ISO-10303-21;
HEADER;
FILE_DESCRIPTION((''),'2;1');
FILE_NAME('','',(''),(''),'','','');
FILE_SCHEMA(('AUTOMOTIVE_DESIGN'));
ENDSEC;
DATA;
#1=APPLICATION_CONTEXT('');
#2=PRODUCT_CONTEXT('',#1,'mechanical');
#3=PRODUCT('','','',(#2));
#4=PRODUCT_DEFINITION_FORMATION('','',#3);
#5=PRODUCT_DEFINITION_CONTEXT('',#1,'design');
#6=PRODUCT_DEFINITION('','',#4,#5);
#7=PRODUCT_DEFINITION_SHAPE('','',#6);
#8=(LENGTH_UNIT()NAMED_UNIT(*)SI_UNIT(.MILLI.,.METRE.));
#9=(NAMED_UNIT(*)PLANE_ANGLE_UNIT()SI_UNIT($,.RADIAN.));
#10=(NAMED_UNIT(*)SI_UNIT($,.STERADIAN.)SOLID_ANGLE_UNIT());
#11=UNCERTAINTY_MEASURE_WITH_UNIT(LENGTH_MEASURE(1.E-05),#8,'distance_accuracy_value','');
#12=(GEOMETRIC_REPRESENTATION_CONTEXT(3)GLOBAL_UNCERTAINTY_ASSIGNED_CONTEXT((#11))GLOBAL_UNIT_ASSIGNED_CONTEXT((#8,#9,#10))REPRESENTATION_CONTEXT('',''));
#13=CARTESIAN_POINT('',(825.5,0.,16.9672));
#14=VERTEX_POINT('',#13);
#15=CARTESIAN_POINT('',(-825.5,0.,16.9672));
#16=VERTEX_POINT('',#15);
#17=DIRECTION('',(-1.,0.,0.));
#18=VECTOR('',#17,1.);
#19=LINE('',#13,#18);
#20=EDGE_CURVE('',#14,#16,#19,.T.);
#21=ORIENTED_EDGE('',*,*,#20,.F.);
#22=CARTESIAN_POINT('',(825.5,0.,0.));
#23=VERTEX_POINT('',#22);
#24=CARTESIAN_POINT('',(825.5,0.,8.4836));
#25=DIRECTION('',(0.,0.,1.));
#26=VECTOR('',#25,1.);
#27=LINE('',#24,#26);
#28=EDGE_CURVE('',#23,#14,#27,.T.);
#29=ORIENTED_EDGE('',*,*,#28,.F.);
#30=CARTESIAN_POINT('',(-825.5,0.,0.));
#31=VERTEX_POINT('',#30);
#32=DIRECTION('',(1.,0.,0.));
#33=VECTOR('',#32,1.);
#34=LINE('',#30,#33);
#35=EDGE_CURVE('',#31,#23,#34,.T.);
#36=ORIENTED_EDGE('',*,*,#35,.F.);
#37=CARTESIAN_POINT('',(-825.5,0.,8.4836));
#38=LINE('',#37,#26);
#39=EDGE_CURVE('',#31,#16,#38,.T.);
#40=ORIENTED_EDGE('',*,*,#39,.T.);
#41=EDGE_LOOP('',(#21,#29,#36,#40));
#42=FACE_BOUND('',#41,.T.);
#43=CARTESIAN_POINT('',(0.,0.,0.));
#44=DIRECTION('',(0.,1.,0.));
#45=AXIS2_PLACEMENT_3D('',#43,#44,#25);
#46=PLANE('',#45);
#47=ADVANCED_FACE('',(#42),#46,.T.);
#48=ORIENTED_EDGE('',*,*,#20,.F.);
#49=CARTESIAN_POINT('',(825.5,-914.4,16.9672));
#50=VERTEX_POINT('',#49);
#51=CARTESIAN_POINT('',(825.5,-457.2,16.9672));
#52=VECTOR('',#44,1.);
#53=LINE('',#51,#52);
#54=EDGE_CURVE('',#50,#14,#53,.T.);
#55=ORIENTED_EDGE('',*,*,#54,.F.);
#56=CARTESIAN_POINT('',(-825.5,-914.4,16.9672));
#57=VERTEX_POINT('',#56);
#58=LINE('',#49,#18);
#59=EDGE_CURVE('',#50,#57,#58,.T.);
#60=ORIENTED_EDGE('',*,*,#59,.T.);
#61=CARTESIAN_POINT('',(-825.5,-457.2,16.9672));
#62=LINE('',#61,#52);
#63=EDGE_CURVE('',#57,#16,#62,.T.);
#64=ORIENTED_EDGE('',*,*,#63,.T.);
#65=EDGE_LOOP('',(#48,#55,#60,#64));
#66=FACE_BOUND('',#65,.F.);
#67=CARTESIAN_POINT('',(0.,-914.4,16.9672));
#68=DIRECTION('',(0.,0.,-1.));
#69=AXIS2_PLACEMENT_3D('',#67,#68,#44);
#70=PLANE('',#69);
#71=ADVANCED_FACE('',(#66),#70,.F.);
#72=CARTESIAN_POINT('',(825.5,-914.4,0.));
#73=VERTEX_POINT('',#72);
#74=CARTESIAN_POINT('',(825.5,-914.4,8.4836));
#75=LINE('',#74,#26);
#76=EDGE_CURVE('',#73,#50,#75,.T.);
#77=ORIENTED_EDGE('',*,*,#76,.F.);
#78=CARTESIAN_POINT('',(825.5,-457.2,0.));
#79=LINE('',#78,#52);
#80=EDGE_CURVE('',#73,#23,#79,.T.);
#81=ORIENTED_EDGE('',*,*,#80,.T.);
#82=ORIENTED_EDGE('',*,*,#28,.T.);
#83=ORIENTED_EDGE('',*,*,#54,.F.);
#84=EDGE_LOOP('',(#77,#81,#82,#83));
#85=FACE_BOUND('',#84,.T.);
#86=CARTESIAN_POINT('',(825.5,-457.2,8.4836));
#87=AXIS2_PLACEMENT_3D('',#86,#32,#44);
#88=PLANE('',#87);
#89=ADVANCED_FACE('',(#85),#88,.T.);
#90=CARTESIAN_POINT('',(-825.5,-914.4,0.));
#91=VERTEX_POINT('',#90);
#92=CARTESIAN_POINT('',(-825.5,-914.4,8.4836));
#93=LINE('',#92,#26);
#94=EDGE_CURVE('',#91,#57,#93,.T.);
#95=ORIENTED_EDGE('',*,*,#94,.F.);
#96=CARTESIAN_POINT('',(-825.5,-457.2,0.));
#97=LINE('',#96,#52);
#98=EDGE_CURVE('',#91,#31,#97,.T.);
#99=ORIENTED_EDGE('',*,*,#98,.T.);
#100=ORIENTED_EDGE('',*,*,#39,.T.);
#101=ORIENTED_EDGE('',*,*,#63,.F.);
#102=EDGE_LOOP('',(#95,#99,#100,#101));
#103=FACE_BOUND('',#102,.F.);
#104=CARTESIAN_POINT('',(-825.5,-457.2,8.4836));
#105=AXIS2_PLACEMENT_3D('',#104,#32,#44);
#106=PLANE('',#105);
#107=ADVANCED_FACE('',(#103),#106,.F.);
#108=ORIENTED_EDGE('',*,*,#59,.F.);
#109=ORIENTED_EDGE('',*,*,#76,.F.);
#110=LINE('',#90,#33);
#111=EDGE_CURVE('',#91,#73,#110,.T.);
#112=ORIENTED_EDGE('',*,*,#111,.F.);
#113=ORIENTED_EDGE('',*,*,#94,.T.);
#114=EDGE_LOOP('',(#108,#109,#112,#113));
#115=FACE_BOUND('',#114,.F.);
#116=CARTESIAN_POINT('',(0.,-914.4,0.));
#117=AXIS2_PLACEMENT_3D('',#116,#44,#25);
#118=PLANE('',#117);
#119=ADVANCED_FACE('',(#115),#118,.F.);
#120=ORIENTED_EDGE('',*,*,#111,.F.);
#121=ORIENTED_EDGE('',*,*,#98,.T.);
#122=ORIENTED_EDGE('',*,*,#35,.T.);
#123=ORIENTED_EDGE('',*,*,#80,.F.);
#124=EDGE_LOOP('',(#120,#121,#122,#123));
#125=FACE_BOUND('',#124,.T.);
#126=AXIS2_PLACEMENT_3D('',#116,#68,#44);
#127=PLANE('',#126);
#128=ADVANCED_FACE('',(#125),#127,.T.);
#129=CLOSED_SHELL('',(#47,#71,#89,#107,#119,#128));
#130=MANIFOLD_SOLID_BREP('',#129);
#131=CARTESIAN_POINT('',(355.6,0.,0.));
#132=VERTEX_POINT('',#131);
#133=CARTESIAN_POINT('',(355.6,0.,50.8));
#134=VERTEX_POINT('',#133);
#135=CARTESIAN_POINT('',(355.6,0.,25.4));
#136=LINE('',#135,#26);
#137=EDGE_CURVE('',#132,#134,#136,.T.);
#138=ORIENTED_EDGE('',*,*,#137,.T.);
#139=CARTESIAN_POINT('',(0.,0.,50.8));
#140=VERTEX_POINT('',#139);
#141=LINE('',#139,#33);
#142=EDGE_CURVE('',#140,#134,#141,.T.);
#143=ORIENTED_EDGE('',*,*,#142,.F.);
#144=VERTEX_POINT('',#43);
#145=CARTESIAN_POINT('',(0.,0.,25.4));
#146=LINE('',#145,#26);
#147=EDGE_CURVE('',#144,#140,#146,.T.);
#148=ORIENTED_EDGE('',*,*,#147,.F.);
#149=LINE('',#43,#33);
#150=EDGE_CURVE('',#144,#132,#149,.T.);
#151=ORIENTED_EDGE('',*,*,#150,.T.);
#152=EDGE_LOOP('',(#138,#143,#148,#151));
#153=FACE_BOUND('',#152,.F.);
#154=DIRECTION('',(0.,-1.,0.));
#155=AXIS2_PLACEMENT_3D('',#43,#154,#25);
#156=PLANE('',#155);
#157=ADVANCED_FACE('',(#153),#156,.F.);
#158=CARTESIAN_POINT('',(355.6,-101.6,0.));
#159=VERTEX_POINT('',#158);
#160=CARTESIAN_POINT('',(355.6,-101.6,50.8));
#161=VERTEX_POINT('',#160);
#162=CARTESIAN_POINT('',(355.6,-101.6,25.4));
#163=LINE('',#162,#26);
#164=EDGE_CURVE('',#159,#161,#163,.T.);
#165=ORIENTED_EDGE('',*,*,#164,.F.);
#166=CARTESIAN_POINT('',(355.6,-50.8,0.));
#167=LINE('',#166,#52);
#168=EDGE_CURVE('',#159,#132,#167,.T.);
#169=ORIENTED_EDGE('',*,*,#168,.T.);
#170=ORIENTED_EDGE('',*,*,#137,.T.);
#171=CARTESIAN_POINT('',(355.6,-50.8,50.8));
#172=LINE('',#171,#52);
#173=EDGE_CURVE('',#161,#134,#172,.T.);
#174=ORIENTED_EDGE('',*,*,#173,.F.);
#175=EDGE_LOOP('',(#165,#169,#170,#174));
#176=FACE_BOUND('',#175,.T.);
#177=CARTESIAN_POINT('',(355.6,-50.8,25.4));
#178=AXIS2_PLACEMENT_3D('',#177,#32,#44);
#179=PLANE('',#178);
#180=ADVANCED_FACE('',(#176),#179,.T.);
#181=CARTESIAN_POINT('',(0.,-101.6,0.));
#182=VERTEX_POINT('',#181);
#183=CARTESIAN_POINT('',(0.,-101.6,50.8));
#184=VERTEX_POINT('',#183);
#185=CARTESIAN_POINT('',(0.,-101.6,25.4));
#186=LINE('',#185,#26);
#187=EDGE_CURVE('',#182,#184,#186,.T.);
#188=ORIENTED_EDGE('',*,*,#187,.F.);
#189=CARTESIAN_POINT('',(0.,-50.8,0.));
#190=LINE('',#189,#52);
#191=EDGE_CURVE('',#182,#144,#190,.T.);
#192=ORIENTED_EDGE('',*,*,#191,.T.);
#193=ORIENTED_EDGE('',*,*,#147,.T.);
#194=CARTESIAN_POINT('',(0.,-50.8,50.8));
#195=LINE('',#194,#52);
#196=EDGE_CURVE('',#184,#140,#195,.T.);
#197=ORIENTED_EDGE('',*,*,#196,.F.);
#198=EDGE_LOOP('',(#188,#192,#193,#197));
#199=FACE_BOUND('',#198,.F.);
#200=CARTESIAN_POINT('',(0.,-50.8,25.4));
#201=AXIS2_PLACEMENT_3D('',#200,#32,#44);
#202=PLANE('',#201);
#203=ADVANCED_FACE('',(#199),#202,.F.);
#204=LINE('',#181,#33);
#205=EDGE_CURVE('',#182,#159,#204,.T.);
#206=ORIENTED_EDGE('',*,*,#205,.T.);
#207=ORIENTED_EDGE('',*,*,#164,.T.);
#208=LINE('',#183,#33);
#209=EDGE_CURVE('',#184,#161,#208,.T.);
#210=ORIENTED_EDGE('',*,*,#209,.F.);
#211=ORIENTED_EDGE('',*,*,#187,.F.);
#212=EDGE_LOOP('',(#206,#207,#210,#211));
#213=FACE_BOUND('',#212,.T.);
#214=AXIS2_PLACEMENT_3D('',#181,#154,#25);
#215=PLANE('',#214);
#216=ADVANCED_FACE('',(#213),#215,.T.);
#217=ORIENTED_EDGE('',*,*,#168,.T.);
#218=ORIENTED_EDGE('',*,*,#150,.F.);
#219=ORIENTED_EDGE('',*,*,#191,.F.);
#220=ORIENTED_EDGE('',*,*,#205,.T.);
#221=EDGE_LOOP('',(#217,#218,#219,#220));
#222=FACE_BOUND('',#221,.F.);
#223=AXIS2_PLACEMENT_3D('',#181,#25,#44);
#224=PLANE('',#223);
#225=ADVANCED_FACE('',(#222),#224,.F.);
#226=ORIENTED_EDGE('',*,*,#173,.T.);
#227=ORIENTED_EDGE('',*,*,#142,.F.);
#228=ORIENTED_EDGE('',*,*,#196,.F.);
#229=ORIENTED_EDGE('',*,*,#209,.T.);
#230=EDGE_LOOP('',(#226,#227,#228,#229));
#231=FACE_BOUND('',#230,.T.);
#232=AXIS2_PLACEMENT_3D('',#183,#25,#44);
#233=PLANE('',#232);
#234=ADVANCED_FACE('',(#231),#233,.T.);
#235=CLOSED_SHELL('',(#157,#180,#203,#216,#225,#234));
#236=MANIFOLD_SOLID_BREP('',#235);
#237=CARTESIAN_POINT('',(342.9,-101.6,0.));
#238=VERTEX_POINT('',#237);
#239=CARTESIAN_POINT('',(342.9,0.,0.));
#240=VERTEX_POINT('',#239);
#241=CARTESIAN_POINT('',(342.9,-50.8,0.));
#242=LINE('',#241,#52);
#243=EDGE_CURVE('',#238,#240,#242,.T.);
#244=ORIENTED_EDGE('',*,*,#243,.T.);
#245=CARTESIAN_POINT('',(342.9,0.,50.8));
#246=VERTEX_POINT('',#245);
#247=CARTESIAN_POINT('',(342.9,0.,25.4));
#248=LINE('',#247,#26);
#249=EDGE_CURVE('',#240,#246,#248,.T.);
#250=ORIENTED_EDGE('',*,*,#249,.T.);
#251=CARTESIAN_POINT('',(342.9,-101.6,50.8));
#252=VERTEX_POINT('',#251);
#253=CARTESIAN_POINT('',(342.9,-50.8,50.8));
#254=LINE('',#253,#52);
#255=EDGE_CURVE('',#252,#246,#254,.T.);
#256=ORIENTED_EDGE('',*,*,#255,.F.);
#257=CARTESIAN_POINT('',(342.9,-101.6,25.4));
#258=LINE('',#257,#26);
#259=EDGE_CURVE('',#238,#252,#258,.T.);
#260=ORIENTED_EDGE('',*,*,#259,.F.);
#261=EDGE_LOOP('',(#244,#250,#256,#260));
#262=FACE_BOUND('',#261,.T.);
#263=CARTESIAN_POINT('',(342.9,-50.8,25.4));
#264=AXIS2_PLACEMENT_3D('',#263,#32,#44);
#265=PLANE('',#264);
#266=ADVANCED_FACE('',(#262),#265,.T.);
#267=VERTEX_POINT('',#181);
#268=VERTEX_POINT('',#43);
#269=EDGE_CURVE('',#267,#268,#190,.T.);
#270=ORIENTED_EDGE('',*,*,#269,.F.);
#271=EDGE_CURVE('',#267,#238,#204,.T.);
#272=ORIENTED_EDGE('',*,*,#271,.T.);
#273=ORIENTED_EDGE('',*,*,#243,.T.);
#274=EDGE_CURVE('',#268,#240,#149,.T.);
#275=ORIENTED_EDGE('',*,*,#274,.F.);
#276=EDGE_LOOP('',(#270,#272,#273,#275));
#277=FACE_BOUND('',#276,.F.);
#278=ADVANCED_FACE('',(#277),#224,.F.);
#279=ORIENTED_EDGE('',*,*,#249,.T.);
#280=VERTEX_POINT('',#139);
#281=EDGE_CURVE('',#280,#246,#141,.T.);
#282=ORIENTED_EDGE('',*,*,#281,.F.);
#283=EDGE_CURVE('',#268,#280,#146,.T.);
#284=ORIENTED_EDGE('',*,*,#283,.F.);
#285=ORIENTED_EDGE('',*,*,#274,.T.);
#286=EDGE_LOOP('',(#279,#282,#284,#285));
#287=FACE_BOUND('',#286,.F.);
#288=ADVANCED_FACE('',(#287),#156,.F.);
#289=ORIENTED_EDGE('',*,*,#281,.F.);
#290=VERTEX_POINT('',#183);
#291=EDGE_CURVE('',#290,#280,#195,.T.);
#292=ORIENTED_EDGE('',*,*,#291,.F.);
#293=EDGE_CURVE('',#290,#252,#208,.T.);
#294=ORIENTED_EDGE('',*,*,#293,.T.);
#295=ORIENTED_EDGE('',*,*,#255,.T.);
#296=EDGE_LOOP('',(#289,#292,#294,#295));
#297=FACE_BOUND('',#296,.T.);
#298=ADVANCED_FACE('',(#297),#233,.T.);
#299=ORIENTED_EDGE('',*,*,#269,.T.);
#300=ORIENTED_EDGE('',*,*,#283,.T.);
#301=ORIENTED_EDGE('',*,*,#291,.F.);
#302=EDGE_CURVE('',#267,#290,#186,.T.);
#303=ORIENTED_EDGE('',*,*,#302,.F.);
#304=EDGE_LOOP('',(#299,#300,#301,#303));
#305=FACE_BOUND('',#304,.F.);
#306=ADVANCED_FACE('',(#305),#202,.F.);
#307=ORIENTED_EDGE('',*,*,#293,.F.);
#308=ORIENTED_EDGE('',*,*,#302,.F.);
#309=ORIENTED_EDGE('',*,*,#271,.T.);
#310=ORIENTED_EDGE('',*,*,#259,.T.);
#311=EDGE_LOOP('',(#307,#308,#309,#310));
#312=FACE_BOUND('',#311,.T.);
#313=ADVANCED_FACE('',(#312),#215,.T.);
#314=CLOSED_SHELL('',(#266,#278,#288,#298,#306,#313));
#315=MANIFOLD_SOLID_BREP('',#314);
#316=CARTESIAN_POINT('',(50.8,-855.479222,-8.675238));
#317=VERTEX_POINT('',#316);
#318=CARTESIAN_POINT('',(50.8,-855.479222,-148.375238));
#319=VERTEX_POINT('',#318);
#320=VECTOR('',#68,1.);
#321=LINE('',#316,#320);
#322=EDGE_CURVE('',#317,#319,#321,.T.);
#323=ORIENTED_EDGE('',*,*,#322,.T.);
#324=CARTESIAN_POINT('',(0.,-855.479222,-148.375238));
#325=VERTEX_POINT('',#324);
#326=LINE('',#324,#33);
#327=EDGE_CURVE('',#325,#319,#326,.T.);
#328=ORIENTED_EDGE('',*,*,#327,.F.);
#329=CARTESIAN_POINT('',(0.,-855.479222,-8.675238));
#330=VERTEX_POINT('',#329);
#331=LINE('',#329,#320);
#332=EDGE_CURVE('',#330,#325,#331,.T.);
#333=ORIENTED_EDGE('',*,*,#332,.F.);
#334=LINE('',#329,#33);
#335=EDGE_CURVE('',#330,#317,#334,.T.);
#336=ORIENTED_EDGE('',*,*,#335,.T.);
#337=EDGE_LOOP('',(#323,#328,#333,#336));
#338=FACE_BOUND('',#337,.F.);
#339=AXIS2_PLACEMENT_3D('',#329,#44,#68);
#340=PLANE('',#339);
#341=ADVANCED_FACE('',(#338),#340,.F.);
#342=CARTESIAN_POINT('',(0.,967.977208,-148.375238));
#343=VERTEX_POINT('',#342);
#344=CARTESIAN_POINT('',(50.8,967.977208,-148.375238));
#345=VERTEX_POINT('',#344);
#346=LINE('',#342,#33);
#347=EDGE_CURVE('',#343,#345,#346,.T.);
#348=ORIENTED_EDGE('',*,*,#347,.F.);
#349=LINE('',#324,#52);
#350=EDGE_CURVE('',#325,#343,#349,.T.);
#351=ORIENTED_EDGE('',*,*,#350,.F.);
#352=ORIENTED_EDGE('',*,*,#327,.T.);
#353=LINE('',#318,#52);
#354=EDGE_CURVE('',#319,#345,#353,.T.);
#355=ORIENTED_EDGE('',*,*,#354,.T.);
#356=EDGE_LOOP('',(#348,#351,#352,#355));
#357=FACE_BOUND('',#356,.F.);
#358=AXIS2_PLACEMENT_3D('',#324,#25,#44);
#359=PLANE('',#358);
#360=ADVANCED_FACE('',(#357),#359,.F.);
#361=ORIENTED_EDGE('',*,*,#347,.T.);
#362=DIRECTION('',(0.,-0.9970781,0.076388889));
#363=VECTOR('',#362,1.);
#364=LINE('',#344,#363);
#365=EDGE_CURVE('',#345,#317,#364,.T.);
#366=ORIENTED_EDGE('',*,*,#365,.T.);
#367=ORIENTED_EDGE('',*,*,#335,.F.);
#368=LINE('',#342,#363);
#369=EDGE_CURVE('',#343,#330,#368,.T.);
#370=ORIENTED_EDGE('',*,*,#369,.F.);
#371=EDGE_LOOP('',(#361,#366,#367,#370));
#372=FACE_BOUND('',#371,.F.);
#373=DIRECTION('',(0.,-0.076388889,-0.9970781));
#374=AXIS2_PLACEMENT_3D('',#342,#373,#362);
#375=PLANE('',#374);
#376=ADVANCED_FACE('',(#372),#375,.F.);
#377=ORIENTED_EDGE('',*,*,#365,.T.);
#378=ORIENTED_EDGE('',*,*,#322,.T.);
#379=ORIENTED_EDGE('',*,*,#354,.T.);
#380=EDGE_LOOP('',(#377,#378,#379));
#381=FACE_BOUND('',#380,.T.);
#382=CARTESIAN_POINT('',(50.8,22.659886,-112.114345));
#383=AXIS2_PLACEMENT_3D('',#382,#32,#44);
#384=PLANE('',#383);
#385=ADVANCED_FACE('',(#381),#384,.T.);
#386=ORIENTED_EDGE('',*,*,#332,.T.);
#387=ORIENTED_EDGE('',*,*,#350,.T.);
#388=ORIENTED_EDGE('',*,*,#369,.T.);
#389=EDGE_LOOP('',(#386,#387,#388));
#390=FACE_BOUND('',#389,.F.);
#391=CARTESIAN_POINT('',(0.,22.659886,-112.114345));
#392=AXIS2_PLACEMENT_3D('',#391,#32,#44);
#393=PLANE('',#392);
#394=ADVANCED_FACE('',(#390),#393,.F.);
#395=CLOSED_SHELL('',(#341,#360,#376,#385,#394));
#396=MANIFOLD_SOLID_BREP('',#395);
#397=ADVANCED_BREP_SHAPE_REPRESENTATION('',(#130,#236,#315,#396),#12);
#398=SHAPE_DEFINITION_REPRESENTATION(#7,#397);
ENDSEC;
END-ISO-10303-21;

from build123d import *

# Parameters (mm, degrees)
F0_W     = 914.4
F0_H     = 16.9672
F1_DEPTH = 825.5
F3_DEPTH = 50.8
F4_W     = 101.6
F4_H     = 50.8
F5_DEPTH = 342.9
F6_W     = 101.6
F6_H     = 50.8
F7_DEPTH = 355.6


with BuildPart() as f1:
    # F0 (on Right) → F1 (new body, symmetric)
    with BuildSketch(Plane.YZ):
        with Locations((-457.2, 8.4836)):
            Rectangle(F0_W, F0_H)
    extrude(amount=F1_DEPTH, both=True)


with BuildPart() as f3:
    # F2 (on Right) → F3 (new body)
    with BuildSketch(Plane.YZ):
        Polygon((967.977208, -148.375238), (-855.479222, -8.675238), (-855.479222, -148.375238), align=None)
    extrude(amount=F3_DEPTH)


with BuildPart() as f5:
    # F4 (on Right) → F5 (new body)
    with BuildSketch(Plane.YZ):
        with Locations((-50.8, 25.4)):
            Rectangle(F4_W, F4_H)
    extrude(amount=F5_DEPTH)


with BuildPart() as f7:
    # F6 (on Right) → F7 (new body)
    with BuildSketch(Plane.YZ):
        with Locations((-50.8, 25.4)):
            Rectangle(F6_W, F6_H)
    extrude(amount=F7_DEPTH)


solid = Compound([f1.part, f3.part, f5.part, f7.part])
